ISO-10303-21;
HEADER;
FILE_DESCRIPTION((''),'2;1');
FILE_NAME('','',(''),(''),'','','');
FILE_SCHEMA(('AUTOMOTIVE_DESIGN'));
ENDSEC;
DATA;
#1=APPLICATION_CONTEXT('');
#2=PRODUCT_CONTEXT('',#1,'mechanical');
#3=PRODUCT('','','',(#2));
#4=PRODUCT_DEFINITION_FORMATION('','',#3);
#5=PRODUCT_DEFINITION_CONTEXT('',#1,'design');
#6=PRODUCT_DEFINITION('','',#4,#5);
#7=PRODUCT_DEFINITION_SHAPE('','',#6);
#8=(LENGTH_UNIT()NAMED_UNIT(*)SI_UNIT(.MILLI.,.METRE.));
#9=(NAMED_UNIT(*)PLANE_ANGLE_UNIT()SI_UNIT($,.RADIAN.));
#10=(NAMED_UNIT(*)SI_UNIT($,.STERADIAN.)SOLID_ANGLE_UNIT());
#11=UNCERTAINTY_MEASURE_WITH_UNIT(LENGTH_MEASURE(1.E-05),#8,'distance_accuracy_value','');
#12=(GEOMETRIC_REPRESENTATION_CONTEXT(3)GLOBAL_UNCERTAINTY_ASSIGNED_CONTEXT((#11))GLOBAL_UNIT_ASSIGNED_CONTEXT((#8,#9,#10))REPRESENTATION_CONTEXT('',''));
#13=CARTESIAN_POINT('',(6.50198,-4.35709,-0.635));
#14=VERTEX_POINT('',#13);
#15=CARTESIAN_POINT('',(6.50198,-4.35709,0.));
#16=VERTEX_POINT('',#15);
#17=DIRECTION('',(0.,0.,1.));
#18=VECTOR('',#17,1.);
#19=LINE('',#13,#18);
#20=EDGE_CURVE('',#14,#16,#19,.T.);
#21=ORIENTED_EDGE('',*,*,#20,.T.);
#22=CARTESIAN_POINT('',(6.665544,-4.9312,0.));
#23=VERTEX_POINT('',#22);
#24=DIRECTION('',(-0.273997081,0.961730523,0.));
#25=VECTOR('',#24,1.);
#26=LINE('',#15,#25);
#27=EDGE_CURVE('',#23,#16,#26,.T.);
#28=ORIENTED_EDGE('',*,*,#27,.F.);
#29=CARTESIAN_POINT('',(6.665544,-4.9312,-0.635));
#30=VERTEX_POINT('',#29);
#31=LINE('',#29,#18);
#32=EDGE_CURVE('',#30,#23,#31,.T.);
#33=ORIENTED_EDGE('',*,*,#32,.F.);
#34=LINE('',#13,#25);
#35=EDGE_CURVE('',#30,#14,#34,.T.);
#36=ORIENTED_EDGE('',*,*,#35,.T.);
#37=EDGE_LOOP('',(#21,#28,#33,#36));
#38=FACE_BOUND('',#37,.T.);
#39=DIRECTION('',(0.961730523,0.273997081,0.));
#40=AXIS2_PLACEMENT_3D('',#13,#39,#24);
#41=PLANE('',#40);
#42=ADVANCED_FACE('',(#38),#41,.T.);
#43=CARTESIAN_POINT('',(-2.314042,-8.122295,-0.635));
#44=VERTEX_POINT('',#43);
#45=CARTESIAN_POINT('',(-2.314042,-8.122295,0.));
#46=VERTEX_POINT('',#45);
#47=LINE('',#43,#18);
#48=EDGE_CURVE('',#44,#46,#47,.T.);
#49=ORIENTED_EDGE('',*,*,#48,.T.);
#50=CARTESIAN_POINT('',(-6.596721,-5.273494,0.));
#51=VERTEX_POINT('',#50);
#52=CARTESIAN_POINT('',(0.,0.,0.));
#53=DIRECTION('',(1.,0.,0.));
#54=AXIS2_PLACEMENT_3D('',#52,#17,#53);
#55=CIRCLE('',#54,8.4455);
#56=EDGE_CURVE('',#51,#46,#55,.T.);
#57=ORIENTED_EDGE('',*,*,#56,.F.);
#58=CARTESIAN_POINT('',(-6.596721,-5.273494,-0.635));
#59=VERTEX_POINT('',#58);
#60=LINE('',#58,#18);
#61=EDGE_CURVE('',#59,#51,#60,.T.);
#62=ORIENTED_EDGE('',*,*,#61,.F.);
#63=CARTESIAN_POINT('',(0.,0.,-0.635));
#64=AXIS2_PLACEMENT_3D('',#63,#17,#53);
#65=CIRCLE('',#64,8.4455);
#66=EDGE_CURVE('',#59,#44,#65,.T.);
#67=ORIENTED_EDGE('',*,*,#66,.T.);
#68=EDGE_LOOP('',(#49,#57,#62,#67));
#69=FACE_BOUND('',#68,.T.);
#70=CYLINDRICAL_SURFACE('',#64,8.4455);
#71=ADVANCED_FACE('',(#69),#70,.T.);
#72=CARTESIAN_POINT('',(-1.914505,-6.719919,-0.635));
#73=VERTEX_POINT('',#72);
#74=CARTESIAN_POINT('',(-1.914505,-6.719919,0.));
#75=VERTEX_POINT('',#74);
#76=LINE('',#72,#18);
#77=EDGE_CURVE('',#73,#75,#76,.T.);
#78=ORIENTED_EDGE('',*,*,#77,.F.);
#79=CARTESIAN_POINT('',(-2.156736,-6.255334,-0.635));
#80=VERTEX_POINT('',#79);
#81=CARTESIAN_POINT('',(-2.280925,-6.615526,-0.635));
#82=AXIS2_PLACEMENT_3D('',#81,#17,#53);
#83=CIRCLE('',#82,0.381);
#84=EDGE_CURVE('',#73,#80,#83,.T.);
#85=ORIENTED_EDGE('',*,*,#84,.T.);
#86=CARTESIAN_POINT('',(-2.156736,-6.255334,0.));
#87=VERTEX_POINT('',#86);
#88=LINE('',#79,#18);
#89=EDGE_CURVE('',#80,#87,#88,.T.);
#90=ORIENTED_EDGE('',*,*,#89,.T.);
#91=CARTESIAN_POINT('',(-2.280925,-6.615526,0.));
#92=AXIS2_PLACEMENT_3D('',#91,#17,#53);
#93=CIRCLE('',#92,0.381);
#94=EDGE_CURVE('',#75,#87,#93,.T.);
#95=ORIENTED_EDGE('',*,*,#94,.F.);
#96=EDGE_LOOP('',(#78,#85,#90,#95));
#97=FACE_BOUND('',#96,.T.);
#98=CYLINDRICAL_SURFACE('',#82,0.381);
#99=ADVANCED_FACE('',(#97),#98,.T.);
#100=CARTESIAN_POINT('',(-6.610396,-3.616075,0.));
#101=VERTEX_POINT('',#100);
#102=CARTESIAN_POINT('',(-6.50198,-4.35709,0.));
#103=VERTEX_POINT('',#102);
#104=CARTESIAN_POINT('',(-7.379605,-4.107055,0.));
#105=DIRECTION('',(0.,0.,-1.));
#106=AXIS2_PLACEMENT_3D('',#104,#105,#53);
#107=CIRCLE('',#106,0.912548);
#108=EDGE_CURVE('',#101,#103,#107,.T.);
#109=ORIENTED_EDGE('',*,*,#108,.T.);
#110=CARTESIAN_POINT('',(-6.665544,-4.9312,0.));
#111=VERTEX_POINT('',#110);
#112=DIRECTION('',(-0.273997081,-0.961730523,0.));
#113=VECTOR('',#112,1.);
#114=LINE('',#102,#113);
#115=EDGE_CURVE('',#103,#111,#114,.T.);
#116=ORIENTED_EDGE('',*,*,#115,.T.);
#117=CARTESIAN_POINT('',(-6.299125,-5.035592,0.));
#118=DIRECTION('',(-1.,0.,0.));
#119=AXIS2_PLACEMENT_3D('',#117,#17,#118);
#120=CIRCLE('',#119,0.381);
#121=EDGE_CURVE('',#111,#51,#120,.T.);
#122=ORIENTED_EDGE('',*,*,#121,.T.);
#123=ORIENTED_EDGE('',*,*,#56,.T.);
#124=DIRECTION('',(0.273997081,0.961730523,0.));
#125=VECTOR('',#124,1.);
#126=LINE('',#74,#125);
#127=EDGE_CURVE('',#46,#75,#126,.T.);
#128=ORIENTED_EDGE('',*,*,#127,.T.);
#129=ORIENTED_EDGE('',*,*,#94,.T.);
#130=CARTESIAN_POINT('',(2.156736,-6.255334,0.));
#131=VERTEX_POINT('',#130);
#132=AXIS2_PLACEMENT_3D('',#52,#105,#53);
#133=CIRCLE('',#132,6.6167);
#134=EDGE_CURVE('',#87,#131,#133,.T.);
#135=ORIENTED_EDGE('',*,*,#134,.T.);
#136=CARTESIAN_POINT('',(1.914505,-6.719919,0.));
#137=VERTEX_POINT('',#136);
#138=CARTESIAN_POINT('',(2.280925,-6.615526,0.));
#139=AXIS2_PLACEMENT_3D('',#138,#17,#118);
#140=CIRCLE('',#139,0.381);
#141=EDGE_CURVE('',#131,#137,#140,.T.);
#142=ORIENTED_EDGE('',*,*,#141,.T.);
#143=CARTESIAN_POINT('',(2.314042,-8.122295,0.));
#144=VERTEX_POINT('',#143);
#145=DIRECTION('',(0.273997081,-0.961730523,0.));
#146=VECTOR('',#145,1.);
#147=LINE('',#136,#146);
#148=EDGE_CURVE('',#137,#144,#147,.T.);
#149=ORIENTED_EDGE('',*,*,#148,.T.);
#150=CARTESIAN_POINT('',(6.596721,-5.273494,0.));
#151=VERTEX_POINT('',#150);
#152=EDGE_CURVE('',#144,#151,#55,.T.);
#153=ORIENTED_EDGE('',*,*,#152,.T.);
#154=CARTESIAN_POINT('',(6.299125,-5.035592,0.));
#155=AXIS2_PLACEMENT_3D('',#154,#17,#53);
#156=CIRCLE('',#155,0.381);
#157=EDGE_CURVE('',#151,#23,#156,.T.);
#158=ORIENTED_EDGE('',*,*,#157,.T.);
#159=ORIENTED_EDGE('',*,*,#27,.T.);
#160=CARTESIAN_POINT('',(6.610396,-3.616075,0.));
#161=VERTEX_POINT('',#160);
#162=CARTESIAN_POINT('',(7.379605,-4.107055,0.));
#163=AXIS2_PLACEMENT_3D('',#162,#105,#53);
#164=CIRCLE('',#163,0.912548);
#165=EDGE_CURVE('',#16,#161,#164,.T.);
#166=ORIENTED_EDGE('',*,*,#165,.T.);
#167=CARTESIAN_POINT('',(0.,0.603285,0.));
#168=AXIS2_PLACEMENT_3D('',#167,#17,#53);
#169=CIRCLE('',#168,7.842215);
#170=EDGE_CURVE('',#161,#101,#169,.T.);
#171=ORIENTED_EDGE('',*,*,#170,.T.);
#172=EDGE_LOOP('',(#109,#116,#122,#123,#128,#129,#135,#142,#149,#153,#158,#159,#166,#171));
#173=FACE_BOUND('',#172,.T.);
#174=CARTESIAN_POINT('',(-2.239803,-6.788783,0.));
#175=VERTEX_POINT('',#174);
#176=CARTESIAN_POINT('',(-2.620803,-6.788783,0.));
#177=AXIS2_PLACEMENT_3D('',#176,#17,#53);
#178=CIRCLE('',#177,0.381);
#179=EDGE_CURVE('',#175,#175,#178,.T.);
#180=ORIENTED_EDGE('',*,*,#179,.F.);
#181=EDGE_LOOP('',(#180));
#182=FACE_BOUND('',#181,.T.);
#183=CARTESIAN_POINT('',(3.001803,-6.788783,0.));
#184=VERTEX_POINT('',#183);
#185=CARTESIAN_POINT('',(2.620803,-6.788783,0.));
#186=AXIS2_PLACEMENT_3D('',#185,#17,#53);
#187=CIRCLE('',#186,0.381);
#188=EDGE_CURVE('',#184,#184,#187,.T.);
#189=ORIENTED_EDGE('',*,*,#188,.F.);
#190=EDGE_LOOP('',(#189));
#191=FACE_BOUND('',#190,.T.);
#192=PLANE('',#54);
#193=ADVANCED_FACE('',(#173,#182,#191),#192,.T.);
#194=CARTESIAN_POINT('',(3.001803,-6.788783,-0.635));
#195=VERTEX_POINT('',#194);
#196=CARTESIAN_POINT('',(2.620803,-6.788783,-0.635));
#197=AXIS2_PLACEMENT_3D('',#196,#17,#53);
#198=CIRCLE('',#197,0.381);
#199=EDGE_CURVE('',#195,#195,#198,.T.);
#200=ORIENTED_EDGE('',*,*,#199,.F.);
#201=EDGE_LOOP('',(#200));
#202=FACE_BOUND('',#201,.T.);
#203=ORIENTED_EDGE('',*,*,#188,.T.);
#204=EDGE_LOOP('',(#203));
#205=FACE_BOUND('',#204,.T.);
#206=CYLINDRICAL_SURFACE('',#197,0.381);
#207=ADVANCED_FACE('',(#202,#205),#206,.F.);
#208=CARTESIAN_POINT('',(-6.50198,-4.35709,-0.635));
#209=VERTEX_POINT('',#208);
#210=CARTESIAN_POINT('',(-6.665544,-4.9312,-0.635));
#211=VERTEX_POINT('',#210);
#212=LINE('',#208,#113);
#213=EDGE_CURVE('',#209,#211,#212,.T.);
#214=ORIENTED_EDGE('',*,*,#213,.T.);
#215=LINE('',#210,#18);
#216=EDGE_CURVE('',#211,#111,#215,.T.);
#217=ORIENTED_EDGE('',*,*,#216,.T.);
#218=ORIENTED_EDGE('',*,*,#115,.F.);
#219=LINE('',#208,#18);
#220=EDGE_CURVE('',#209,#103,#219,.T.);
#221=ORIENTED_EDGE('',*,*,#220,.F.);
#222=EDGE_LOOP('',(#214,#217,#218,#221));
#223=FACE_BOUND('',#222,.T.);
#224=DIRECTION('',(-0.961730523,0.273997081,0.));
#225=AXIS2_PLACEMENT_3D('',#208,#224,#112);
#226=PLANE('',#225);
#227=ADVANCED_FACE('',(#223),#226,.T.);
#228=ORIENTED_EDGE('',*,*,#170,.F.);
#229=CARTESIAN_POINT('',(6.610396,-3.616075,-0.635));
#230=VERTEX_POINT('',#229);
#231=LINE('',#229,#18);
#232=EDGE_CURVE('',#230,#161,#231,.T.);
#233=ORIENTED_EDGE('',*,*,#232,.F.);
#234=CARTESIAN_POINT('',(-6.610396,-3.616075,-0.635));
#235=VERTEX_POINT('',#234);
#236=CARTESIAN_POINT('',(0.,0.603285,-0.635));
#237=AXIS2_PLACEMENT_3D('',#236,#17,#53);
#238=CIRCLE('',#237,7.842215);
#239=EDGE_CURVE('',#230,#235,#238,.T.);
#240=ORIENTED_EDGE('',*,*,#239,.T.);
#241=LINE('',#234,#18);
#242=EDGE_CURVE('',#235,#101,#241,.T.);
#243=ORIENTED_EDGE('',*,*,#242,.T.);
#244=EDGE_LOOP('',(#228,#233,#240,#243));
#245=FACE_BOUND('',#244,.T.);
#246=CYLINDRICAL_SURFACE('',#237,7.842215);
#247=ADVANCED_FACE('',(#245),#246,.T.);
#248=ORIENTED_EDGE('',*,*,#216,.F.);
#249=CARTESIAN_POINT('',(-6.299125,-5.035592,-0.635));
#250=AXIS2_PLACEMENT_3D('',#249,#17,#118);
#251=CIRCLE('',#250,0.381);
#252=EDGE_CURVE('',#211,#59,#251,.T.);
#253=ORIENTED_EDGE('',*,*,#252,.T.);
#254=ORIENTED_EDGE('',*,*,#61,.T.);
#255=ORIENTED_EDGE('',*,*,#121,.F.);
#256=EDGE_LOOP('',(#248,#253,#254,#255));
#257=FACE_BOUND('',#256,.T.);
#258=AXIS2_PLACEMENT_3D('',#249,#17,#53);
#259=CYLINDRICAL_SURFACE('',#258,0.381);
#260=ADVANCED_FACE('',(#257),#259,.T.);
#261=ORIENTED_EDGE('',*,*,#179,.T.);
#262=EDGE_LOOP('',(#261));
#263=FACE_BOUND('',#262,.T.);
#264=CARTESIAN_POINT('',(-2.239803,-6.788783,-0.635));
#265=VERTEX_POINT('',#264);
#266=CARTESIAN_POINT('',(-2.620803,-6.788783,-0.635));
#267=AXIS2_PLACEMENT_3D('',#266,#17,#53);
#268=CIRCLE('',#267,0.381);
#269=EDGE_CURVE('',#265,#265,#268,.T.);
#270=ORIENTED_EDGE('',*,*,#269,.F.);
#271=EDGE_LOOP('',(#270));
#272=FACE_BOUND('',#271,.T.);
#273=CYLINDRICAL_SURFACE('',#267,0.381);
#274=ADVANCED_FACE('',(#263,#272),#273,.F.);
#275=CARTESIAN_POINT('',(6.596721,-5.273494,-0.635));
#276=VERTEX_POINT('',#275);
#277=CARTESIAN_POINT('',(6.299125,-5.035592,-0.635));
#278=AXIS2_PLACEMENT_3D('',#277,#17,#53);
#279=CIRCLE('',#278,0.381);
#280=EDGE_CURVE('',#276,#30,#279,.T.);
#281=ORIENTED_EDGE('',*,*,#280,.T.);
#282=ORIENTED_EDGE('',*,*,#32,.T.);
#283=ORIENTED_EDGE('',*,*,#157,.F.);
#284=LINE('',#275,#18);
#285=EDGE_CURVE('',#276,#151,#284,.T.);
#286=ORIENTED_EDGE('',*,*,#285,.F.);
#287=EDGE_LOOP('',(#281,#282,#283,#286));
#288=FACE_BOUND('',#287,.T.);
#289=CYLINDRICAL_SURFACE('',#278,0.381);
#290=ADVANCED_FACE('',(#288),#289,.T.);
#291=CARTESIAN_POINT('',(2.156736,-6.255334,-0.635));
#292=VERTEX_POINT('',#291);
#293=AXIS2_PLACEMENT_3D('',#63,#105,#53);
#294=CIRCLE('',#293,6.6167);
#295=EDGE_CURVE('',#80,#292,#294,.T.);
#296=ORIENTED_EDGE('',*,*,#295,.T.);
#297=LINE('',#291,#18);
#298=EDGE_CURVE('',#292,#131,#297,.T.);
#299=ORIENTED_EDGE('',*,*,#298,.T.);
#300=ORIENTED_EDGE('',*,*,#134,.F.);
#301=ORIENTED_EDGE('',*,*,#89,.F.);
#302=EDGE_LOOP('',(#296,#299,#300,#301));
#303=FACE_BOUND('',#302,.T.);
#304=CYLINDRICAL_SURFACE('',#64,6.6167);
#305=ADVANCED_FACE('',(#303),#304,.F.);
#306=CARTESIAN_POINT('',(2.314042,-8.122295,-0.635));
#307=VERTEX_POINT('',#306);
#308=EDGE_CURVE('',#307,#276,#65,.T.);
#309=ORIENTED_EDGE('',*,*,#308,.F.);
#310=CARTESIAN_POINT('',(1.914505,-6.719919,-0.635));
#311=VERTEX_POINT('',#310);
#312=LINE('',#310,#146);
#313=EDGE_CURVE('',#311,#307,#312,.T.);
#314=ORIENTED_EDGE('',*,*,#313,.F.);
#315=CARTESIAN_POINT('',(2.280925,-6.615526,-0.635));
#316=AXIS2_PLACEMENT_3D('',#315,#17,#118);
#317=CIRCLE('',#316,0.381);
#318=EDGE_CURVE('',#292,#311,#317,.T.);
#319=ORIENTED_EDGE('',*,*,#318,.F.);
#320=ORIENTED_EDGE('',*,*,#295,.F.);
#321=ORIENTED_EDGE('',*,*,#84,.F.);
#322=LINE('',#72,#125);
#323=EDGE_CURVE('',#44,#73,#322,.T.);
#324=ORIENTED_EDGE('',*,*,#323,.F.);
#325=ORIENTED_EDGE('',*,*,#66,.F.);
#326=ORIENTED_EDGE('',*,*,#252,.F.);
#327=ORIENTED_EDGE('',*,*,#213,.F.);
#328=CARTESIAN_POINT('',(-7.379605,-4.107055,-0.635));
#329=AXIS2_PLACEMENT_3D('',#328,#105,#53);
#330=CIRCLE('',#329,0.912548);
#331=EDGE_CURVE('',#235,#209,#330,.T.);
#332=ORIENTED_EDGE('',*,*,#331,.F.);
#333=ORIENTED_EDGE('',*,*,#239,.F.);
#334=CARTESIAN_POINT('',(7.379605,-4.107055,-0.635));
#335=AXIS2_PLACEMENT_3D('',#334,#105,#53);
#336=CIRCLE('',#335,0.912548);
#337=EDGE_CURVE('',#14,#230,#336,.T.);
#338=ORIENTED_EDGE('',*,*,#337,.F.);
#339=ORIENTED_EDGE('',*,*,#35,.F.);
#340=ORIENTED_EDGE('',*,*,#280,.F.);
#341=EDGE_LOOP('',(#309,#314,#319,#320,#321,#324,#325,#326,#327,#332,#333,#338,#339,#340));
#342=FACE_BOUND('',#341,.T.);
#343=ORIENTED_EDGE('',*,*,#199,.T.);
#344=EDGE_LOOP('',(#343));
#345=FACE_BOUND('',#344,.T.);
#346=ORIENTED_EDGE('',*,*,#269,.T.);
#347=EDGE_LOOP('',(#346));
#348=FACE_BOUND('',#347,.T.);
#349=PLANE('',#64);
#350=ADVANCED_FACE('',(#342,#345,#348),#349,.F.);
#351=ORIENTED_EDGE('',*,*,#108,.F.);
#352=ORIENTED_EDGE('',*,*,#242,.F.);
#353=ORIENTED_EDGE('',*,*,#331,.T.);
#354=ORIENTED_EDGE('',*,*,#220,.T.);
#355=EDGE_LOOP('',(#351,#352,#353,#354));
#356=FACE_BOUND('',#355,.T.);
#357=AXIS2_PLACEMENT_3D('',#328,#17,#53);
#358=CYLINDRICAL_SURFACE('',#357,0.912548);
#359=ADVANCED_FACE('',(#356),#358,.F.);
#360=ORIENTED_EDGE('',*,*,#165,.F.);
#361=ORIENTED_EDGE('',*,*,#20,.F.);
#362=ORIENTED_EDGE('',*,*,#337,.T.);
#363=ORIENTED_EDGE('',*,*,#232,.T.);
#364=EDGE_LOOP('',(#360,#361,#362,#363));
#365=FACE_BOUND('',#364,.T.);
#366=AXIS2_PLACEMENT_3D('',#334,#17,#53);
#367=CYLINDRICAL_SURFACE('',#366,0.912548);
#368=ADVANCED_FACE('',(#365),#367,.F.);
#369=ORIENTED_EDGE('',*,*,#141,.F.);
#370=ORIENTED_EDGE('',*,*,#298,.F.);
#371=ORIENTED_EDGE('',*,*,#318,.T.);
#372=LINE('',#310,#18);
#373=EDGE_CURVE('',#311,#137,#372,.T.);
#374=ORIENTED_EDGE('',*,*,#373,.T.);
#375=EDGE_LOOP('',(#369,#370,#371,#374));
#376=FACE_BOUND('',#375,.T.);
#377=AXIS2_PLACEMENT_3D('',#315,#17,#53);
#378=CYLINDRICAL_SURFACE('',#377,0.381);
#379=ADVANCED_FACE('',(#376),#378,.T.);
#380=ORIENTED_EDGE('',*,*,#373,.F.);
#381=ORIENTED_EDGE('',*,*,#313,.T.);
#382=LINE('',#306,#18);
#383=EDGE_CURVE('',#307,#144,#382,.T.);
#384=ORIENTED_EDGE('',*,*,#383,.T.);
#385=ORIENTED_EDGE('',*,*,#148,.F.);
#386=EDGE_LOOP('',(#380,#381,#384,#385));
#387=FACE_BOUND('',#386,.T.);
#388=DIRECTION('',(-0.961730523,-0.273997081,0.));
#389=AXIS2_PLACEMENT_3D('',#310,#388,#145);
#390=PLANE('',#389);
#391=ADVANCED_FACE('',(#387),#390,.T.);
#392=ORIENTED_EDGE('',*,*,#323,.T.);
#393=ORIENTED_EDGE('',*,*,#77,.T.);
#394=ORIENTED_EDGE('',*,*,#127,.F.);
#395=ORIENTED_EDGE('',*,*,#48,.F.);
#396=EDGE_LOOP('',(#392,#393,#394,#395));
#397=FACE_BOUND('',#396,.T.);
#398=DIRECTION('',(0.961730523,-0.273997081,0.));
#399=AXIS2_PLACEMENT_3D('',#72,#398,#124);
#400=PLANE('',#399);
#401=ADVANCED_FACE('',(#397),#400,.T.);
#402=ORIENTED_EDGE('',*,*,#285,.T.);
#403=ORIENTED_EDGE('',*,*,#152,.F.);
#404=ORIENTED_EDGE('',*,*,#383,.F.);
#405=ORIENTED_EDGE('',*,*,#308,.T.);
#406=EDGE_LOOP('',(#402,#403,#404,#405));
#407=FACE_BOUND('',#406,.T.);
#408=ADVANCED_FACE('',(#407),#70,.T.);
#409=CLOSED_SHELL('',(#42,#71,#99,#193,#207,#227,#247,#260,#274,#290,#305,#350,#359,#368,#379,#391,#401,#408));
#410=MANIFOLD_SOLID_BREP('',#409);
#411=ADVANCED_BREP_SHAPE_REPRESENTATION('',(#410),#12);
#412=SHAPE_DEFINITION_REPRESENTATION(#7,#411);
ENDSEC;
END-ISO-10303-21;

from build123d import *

# Parameters (mm, degrees)
BODYSKE_R  = 0.381
BODY_DEPTH = 0.635


with BuildPart() as part:
    # BodySke → Body (new body)
    with BuildSketch(Plane.XY):
        with BuildLine():
            Line((-1.91450535, -6.719919163), (-2.314042344, -8.122295136))
            ThreePointArc((-2.314042344, -8.122295136), (-4.67753589, -7.031865204), (-6.59672094, -5.273494391))
            ThreePointArc((-6.59672094, -5.273494391), (-6.672649179, -5.110694444), (-6.665543836, -4.931199501))
            Line((-6.665543836, -4.931199501), (-6.501980098, -4.357090321))
            ThreePointArc((-6.501980098, -4.357090321), (-6.476670268, -3.974948798), (-6.610396151, -3.616075396))
            ThreePointArc((-6.610396151, -3.616075396), (0, 8.4455), (6.610396151, -3.616075396))
            ThreePointArc((6.610396151, -3.616075396), (6.476670268, -3.974948798), (6.501980098, -4.357090321))
            Line((6.501980098, -4.357090321), (6.665543836, -4.931199501))
            ThreePointArc((6.665543836, -4.931199501), (6.672649179, -5.110694444), (6.59672094, -5.273494391))
            ThreePointArc((6.59672094, -5.273494391), (4.67753589, -7.031865204), (2.314042344, -8.122295136))
            Line((2.314042344, -8.122295136), (1.91450535, -6.719919163))
            ThreePointArc((1.91450535, -6.719919163), (1.943087835, -6.439380692), (2.156736403, -6.255334282))
            ThreePointArc((2.156736403, -6.255334282), (0, 6.6167), (-2.156736403, -6.255334282))
            ThreePointArc((-2.156736403, -6.255334282), (-1.943087835, -6.439380692), (-1.91450535, -6.719919163))
        make_face()
        with Locations((2.620803478, -6.78878292)):
            Circle(BODYSKE_R, mode=Mode.SUBTRACT)
        with Locations((-2.620803478, -6.78878292)):
            Circle(BODYSKE_R, mode=Mode.SUBTRACT)
    extrude(amount=-BODY_DEPTH)


solid = part.part
